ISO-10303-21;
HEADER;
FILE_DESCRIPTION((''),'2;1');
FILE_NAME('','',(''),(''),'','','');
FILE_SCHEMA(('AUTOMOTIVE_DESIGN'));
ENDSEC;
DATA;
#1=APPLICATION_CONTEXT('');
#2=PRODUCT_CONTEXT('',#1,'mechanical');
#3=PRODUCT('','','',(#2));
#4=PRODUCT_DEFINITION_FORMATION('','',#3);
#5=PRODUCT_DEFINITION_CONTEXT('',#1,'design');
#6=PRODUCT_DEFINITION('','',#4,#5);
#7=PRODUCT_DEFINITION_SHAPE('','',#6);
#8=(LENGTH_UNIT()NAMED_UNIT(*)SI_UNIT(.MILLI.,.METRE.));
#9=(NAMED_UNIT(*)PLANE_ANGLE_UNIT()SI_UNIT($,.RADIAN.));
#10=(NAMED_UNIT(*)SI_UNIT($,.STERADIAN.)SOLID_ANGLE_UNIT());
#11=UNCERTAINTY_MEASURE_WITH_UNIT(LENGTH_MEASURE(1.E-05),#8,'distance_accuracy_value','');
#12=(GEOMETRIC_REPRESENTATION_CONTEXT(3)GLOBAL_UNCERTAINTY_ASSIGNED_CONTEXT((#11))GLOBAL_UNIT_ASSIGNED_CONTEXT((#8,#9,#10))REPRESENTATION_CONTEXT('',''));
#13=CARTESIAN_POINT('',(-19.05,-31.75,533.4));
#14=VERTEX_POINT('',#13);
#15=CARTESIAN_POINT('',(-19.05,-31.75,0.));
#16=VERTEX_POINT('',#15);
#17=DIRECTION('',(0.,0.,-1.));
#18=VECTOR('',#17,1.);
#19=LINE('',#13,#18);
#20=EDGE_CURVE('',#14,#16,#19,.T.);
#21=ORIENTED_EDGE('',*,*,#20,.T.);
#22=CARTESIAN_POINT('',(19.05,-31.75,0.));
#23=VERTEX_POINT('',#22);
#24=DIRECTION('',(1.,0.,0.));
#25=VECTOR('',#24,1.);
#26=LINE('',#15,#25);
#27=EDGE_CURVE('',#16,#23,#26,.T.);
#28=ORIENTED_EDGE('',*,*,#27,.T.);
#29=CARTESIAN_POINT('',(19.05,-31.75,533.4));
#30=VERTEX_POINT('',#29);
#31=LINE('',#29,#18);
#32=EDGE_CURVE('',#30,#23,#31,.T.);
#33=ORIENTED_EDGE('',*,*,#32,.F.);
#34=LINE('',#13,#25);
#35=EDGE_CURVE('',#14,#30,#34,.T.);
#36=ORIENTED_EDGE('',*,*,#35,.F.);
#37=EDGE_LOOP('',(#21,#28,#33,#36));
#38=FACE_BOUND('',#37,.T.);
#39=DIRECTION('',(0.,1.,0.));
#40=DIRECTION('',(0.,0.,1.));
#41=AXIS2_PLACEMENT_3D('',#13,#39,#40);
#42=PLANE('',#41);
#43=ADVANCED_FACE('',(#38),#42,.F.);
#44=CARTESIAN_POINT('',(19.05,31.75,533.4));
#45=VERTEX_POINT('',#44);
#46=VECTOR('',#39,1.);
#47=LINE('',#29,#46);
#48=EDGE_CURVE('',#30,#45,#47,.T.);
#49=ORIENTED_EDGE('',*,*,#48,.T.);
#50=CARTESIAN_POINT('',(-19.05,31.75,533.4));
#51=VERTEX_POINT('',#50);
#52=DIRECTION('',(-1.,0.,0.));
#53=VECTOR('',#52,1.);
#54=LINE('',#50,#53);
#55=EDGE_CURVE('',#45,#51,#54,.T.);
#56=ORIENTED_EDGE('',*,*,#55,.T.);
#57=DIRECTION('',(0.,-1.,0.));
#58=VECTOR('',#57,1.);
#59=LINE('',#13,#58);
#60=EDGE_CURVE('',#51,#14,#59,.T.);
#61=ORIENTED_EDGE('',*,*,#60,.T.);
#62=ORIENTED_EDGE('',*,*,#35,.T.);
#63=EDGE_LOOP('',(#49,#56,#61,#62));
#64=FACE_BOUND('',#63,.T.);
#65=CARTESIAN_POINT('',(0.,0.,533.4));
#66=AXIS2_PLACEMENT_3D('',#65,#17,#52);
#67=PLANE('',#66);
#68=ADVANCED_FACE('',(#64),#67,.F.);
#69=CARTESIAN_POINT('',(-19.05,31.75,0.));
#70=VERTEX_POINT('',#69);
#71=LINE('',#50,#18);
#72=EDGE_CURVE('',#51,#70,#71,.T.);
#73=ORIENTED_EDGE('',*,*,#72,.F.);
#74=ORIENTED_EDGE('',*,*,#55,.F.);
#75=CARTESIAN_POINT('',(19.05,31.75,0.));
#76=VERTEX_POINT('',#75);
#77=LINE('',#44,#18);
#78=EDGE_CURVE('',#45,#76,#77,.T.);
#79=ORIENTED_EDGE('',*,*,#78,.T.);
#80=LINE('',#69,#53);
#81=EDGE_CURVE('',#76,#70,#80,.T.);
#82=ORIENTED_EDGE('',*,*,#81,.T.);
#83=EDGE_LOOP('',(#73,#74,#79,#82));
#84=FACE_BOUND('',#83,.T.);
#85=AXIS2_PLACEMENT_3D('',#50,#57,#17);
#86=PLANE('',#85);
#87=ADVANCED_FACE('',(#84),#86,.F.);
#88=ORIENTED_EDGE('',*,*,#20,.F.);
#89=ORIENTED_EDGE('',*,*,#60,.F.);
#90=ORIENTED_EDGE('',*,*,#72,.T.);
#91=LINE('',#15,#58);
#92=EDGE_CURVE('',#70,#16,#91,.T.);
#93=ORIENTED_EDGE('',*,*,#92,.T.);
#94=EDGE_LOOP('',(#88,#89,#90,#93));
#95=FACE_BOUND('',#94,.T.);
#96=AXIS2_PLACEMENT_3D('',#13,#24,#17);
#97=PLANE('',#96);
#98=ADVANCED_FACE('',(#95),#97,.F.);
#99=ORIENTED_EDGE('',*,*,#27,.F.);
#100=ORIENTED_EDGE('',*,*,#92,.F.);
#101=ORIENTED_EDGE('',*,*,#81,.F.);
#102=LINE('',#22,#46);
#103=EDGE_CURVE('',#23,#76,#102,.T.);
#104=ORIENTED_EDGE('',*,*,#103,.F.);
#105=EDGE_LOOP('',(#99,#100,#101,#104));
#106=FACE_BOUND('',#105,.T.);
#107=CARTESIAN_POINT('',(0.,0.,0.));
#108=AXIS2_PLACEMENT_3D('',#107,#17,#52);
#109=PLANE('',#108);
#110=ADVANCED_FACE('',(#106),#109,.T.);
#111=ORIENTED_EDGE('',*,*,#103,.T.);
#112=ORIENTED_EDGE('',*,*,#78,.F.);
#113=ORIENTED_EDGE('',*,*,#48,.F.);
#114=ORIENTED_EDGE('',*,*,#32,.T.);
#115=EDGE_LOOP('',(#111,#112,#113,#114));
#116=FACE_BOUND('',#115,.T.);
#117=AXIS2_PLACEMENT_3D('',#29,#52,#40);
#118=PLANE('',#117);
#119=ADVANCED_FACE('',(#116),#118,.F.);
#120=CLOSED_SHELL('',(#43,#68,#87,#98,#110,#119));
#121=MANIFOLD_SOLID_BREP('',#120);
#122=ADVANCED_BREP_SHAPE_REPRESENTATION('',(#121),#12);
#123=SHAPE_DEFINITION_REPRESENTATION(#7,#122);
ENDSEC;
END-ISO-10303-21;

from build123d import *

# Parameters (mm, degrees)
SKETCH1_W           = 38.1
SKETCH1_H           = 63.5
BOSS_EXTRUDE1_DEPTH = 533.4


with BuildPart() as part:
    # Sketch1 → Boss-Extrude1 (new body)
    with BuildSketch(Plane.XY):
        Rectangle(SKETCH1_W, SKETCH1_H)
    extrude(amount=BOSS_EXTRUDE1_DEPTH)


solid = part.part
